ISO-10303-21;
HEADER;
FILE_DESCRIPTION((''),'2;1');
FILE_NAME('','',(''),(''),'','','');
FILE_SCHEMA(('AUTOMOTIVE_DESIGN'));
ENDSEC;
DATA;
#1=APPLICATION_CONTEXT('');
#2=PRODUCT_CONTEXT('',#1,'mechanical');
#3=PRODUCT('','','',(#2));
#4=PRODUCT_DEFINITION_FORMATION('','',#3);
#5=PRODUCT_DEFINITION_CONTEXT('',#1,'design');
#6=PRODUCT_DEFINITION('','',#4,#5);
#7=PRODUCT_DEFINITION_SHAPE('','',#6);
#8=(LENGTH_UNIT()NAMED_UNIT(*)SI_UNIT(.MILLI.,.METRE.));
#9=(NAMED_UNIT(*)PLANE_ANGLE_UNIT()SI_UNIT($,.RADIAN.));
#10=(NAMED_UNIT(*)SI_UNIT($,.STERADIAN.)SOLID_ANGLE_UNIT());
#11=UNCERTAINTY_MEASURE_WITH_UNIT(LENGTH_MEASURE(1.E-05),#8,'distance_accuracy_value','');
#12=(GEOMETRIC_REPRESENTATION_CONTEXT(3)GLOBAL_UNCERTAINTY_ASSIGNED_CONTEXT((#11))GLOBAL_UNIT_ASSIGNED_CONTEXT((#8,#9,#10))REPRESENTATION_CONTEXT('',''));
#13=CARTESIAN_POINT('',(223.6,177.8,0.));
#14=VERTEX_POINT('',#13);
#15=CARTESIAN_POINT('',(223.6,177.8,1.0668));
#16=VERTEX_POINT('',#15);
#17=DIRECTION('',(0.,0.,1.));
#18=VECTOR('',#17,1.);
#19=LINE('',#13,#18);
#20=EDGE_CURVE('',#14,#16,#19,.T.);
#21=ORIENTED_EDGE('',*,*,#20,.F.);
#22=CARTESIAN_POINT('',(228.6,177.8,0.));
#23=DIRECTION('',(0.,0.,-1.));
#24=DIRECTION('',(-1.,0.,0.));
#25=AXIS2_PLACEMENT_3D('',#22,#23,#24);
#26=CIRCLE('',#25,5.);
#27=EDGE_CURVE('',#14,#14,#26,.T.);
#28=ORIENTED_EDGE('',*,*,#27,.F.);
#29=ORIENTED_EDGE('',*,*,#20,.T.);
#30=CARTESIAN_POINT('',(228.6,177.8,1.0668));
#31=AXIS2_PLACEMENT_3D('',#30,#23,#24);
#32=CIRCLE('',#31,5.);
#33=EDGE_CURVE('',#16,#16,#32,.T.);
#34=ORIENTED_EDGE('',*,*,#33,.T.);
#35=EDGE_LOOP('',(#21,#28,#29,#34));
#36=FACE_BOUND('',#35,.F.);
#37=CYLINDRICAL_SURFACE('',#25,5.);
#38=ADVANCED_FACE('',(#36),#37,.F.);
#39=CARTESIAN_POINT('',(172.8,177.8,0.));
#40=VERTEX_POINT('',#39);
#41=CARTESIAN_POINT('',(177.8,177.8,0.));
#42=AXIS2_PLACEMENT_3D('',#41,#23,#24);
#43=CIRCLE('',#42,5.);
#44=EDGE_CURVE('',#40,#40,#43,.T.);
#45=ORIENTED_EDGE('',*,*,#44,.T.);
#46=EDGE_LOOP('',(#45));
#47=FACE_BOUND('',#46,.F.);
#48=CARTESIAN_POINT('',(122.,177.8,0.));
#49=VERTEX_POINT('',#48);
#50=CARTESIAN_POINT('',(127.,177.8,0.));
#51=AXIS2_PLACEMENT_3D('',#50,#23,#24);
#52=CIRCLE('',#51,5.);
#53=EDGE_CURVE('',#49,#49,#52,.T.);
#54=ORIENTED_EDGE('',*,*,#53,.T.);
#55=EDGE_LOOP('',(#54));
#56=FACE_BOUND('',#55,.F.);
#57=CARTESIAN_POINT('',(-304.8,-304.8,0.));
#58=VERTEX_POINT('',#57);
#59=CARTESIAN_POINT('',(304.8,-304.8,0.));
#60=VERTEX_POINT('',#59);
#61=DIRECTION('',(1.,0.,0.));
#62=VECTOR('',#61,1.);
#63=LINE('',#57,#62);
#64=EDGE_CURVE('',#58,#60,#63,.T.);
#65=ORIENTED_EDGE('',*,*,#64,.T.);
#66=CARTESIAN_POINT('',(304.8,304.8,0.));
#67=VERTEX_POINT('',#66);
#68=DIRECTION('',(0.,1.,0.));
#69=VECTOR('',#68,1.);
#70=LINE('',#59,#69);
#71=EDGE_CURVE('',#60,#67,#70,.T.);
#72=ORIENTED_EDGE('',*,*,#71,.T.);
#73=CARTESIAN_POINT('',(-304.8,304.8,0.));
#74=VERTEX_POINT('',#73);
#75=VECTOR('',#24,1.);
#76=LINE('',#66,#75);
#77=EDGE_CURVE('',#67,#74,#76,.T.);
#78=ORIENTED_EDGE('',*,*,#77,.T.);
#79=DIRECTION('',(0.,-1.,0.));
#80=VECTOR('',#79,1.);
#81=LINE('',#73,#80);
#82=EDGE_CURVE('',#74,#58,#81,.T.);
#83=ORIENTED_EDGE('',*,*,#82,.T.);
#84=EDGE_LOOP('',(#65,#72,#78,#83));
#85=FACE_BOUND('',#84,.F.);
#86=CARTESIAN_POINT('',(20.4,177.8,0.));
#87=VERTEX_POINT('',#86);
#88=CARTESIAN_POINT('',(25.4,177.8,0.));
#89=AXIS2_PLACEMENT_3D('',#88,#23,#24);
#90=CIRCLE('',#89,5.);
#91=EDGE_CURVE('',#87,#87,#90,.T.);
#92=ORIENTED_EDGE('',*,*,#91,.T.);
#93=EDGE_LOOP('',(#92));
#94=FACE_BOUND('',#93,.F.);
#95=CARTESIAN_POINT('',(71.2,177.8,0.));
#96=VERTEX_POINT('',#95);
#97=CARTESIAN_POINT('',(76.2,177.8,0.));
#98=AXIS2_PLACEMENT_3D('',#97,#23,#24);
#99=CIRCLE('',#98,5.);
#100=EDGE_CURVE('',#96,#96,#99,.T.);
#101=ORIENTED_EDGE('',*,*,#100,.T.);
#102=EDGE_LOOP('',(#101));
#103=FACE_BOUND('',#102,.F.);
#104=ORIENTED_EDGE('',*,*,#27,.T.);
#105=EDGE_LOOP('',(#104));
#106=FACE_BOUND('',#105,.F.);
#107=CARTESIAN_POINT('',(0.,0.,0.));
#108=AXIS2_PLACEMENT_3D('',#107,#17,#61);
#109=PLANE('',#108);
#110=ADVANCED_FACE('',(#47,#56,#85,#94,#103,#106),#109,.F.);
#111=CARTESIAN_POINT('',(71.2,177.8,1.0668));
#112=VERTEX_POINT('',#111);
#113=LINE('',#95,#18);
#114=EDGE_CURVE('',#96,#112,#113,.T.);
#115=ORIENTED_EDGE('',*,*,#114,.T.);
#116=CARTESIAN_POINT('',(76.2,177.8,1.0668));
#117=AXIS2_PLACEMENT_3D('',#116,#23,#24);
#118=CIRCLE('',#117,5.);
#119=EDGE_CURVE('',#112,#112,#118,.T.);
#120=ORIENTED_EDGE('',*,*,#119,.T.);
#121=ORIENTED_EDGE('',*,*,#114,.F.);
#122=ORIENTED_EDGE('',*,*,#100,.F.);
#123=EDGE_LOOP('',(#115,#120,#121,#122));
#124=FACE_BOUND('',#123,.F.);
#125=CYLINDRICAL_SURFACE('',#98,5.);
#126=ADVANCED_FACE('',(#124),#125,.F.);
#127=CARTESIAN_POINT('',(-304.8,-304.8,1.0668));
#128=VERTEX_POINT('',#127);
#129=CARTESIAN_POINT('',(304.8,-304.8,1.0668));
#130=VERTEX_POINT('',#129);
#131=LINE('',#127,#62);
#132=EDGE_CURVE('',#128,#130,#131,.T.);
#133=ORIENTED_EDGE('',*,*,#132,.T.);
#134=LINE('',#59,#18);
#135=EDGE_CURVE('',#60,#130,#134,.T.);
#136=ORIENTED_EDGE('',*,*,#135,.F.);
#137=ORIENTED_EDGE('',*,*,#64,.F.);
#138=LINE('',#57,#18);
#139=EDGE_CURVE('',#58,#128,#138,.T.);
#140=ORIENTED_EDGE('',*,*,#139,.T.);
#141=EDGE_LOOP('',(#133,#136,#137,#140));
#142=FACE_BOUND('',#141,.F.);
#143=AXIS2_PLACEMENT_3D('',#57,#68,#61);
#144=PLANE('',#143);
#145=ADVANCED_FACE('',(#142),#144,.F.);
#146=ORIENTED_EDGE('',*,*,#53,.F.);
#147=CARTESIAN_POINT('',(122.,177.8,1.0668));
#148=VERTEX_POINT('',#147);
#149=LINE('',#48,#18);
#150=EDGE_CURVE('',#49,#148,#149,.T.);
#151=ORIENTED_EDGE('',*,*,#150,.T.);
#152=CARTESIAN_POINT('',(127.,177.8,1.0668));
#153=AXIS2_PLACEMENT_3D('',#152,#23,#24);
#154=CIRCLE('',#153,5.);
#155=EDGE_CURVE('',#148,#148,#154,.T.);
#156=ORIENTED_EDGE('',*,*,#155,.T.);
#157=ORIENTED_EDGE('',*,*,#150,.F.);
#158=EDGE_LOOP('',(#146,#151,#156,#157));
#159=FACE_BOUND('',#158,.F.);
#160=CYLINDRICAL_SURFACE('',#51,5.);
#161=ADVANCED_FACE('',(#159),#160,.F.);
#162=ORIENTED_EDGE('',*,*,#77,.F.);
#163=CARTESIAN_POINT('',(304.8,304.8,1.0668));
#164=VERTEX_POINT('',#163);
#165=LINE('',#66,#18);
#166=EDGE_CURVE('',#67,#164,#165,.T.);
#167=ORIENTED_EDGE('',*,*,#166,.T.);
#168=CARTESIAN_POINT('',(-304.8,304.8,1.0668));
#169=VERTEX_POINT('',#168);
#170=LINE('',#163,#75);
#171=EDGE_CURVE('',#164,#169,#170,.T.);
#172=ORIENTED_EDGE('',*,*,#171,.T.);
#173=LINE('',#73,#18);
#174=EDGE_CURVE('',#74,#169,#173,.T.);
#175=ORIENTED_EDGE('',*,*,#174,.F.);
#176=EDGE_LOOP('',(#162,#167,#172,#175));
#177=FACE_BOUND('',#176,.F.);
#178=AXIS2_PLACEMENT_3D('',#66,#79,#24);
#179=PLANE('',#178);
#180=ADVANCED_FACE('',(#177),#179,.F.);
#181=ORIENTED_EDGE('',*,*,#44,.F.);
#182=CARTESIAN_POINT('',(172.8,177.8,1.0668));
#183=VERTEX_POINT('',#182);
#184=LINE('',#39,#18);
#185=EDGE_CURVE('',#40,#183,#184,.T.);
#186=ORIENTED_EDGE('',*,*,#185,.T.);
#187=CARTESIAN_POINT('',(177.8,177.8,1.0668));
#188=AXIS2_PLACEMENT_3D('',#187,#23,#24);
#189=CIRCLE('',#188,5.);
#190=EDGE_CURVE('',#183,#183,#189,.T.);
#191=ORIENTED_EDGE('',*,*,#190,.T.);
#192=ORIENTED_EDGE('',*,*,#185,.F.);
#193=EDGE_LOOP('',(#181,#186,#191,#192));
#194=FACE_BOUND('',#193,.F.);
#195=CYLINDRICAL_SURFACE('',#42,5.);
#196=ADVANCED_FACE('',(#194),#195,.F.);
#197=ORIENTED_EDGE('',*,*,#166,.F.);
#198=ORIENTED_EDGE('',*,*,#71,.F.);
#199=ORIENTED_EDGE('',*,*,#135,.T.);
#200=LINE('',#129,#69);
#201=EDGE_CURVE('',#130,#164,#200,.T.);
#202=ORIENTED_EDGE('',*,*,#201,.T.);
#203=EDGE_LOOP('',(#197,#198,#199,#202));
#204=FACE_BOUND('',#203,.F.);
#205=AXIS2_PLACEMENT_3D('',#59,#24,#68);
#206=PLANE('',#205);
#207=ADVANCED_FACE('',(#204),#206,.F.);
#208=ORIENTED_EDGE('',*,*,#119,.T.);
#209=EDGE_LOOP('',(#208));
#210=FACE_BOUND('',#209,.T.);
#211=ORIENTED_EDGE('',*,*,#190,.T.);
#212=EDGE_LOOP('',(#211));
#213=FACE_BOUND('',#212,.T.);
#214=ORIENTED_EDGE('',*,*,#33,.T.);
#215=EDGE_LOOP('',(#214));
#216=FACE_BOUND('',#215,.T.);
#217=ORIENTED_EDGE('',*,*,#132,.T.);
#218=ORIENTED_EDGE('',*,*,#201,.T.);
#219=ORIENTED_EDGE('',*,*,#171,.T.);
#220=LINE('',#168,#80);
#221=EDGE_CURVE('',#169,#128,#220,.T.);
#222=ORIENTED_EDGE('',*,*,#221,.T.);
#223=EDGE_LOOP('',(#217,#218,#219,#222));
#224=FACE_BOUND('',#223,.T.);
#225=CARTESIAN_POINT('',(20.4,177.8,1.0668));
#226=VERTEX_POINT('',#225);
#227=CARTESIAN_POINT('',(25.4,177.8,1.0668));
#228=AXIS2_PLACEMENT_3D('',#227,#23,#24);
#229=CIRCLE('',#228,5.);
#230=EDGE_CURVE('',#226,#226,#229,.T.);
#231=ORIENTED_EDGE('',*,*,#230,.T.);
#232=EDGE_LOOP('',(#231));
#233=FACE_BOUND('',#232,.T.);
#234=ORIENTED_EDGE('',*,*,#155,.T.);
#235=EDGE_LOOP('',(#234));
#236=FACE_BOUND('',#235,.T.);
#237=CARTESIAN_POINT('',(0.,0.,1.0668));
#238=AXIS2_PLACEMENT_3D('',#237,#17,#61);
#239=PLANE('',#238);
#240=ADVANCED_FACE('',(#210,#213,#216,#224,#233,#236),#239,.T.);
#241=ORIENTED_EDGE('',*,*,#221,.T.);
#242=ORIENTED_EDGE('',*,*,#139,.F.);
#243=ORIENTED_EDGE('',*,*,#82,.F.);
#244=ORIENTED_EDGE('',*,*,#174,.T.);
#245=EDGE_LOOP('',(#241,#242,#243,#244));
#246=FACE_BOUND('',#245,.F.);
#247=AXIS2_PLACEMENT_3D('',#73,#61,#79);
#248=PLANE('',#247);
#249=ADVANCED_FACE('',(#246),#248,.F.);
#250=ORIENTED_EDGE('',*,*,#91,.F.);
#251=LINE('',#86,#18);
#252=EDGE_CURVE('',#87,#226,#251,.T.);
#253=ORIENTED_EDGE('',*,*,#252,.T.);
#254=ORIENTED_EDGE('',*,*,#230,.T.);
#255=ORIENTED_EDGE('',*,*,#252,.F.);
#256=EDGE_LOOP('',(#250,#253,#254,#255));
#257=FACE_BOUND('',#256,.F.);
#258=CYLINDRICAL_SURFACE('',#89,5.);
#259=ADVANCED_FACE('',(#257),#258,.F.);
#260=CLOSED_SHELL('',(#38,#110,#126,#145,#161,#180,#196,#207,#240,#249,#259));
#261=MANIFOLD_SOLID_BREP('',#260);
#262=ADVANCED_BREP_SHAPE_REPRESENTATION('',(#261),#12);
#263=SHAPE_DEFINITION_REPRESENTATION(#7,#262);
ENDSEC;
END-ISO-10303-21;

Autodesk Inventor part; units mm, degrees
ref_plane "YZ Plane" through (0, 0, 0) normal (1, 0, 0) x (0, 1, 0)
ref_plane "XZ Plane" through (0, 0, 0) normal (0, 1, 0) x (-1, 0, 0)
ref_plane "XY Plane" through (0, 0, 0) normal (0, 0, 1) x (1, 0, 0)
sketch "Sketch1" plane through (0, 0, 0) normal (0, 0, 1) x (1, 0, 0)
  line L0 (-304.8, -304.8) -> (304.8, -304.8)
  line L1 (304.8, -304.8) -> (304.8, 304.8)
  line L2 (304.8, 304.8) -> (-304.8, 304.8)
  line L3 (-304.8, 304.8) -> (-304.8, -304.8)
  line L4 (-304.8, -304.8) -> (304.8, 304.8) construction
  line L5 (304.8, -304.8) -> (-304.8, 304.8) construction
  point P0 (0, 0)
  dimension "d0" = 609.6
  dimension "d1" = 609.6
extrude "Extrusion1" add sketch "Sketch1" along normal blind 1.0668
sketch "Sketch2" plane through (0, 0, 0) normal (0, 0, -1) x (-1, 0, 0)
  line L0 (304.8, -304.8) -> (-304.8, -304.8) projected
  line L1 (304.8, 304.8) -> (304.8, -304.8) projected
  line L2 (-304.8, 304.8) -> (304.8, 304.8) projected
  line L3 (-304.8, -304.8) -> (-304.8, 304.8) projected
  line L4 (-304.8, -304.8) -> (-304.8, 304.8) projected
  line L5 (-304.8, 177.8) -> (304.8, 177.8) construction
  line L6 (304.8, 304.8) -> (304.8, -304.8) projected
  circle A0 centre (-228.6, 177.8) radius 5
  circle A1 centre (-177.8, 177.8) radius 5
  circle A2 centre (-127, 177.8) radius 5
  circle A3 centre (-76.2, 177.8) radius 5
  circle A4 centre (-25.4, 177.8) radius 5
  point P0 (0, 0)
  dimension "d4" = 127
  dimension "d5" = 10
  dimension "d6" = 76.2
  dimension "d9" = 50.8
extrude "Extrusion2" cut sketch "Sketch2" against normal through all contours A0 | A1 | A2 | A3 | A4
properties part number "2221B_Copper Box Side_Feedthrough_V1" material "Copper"
